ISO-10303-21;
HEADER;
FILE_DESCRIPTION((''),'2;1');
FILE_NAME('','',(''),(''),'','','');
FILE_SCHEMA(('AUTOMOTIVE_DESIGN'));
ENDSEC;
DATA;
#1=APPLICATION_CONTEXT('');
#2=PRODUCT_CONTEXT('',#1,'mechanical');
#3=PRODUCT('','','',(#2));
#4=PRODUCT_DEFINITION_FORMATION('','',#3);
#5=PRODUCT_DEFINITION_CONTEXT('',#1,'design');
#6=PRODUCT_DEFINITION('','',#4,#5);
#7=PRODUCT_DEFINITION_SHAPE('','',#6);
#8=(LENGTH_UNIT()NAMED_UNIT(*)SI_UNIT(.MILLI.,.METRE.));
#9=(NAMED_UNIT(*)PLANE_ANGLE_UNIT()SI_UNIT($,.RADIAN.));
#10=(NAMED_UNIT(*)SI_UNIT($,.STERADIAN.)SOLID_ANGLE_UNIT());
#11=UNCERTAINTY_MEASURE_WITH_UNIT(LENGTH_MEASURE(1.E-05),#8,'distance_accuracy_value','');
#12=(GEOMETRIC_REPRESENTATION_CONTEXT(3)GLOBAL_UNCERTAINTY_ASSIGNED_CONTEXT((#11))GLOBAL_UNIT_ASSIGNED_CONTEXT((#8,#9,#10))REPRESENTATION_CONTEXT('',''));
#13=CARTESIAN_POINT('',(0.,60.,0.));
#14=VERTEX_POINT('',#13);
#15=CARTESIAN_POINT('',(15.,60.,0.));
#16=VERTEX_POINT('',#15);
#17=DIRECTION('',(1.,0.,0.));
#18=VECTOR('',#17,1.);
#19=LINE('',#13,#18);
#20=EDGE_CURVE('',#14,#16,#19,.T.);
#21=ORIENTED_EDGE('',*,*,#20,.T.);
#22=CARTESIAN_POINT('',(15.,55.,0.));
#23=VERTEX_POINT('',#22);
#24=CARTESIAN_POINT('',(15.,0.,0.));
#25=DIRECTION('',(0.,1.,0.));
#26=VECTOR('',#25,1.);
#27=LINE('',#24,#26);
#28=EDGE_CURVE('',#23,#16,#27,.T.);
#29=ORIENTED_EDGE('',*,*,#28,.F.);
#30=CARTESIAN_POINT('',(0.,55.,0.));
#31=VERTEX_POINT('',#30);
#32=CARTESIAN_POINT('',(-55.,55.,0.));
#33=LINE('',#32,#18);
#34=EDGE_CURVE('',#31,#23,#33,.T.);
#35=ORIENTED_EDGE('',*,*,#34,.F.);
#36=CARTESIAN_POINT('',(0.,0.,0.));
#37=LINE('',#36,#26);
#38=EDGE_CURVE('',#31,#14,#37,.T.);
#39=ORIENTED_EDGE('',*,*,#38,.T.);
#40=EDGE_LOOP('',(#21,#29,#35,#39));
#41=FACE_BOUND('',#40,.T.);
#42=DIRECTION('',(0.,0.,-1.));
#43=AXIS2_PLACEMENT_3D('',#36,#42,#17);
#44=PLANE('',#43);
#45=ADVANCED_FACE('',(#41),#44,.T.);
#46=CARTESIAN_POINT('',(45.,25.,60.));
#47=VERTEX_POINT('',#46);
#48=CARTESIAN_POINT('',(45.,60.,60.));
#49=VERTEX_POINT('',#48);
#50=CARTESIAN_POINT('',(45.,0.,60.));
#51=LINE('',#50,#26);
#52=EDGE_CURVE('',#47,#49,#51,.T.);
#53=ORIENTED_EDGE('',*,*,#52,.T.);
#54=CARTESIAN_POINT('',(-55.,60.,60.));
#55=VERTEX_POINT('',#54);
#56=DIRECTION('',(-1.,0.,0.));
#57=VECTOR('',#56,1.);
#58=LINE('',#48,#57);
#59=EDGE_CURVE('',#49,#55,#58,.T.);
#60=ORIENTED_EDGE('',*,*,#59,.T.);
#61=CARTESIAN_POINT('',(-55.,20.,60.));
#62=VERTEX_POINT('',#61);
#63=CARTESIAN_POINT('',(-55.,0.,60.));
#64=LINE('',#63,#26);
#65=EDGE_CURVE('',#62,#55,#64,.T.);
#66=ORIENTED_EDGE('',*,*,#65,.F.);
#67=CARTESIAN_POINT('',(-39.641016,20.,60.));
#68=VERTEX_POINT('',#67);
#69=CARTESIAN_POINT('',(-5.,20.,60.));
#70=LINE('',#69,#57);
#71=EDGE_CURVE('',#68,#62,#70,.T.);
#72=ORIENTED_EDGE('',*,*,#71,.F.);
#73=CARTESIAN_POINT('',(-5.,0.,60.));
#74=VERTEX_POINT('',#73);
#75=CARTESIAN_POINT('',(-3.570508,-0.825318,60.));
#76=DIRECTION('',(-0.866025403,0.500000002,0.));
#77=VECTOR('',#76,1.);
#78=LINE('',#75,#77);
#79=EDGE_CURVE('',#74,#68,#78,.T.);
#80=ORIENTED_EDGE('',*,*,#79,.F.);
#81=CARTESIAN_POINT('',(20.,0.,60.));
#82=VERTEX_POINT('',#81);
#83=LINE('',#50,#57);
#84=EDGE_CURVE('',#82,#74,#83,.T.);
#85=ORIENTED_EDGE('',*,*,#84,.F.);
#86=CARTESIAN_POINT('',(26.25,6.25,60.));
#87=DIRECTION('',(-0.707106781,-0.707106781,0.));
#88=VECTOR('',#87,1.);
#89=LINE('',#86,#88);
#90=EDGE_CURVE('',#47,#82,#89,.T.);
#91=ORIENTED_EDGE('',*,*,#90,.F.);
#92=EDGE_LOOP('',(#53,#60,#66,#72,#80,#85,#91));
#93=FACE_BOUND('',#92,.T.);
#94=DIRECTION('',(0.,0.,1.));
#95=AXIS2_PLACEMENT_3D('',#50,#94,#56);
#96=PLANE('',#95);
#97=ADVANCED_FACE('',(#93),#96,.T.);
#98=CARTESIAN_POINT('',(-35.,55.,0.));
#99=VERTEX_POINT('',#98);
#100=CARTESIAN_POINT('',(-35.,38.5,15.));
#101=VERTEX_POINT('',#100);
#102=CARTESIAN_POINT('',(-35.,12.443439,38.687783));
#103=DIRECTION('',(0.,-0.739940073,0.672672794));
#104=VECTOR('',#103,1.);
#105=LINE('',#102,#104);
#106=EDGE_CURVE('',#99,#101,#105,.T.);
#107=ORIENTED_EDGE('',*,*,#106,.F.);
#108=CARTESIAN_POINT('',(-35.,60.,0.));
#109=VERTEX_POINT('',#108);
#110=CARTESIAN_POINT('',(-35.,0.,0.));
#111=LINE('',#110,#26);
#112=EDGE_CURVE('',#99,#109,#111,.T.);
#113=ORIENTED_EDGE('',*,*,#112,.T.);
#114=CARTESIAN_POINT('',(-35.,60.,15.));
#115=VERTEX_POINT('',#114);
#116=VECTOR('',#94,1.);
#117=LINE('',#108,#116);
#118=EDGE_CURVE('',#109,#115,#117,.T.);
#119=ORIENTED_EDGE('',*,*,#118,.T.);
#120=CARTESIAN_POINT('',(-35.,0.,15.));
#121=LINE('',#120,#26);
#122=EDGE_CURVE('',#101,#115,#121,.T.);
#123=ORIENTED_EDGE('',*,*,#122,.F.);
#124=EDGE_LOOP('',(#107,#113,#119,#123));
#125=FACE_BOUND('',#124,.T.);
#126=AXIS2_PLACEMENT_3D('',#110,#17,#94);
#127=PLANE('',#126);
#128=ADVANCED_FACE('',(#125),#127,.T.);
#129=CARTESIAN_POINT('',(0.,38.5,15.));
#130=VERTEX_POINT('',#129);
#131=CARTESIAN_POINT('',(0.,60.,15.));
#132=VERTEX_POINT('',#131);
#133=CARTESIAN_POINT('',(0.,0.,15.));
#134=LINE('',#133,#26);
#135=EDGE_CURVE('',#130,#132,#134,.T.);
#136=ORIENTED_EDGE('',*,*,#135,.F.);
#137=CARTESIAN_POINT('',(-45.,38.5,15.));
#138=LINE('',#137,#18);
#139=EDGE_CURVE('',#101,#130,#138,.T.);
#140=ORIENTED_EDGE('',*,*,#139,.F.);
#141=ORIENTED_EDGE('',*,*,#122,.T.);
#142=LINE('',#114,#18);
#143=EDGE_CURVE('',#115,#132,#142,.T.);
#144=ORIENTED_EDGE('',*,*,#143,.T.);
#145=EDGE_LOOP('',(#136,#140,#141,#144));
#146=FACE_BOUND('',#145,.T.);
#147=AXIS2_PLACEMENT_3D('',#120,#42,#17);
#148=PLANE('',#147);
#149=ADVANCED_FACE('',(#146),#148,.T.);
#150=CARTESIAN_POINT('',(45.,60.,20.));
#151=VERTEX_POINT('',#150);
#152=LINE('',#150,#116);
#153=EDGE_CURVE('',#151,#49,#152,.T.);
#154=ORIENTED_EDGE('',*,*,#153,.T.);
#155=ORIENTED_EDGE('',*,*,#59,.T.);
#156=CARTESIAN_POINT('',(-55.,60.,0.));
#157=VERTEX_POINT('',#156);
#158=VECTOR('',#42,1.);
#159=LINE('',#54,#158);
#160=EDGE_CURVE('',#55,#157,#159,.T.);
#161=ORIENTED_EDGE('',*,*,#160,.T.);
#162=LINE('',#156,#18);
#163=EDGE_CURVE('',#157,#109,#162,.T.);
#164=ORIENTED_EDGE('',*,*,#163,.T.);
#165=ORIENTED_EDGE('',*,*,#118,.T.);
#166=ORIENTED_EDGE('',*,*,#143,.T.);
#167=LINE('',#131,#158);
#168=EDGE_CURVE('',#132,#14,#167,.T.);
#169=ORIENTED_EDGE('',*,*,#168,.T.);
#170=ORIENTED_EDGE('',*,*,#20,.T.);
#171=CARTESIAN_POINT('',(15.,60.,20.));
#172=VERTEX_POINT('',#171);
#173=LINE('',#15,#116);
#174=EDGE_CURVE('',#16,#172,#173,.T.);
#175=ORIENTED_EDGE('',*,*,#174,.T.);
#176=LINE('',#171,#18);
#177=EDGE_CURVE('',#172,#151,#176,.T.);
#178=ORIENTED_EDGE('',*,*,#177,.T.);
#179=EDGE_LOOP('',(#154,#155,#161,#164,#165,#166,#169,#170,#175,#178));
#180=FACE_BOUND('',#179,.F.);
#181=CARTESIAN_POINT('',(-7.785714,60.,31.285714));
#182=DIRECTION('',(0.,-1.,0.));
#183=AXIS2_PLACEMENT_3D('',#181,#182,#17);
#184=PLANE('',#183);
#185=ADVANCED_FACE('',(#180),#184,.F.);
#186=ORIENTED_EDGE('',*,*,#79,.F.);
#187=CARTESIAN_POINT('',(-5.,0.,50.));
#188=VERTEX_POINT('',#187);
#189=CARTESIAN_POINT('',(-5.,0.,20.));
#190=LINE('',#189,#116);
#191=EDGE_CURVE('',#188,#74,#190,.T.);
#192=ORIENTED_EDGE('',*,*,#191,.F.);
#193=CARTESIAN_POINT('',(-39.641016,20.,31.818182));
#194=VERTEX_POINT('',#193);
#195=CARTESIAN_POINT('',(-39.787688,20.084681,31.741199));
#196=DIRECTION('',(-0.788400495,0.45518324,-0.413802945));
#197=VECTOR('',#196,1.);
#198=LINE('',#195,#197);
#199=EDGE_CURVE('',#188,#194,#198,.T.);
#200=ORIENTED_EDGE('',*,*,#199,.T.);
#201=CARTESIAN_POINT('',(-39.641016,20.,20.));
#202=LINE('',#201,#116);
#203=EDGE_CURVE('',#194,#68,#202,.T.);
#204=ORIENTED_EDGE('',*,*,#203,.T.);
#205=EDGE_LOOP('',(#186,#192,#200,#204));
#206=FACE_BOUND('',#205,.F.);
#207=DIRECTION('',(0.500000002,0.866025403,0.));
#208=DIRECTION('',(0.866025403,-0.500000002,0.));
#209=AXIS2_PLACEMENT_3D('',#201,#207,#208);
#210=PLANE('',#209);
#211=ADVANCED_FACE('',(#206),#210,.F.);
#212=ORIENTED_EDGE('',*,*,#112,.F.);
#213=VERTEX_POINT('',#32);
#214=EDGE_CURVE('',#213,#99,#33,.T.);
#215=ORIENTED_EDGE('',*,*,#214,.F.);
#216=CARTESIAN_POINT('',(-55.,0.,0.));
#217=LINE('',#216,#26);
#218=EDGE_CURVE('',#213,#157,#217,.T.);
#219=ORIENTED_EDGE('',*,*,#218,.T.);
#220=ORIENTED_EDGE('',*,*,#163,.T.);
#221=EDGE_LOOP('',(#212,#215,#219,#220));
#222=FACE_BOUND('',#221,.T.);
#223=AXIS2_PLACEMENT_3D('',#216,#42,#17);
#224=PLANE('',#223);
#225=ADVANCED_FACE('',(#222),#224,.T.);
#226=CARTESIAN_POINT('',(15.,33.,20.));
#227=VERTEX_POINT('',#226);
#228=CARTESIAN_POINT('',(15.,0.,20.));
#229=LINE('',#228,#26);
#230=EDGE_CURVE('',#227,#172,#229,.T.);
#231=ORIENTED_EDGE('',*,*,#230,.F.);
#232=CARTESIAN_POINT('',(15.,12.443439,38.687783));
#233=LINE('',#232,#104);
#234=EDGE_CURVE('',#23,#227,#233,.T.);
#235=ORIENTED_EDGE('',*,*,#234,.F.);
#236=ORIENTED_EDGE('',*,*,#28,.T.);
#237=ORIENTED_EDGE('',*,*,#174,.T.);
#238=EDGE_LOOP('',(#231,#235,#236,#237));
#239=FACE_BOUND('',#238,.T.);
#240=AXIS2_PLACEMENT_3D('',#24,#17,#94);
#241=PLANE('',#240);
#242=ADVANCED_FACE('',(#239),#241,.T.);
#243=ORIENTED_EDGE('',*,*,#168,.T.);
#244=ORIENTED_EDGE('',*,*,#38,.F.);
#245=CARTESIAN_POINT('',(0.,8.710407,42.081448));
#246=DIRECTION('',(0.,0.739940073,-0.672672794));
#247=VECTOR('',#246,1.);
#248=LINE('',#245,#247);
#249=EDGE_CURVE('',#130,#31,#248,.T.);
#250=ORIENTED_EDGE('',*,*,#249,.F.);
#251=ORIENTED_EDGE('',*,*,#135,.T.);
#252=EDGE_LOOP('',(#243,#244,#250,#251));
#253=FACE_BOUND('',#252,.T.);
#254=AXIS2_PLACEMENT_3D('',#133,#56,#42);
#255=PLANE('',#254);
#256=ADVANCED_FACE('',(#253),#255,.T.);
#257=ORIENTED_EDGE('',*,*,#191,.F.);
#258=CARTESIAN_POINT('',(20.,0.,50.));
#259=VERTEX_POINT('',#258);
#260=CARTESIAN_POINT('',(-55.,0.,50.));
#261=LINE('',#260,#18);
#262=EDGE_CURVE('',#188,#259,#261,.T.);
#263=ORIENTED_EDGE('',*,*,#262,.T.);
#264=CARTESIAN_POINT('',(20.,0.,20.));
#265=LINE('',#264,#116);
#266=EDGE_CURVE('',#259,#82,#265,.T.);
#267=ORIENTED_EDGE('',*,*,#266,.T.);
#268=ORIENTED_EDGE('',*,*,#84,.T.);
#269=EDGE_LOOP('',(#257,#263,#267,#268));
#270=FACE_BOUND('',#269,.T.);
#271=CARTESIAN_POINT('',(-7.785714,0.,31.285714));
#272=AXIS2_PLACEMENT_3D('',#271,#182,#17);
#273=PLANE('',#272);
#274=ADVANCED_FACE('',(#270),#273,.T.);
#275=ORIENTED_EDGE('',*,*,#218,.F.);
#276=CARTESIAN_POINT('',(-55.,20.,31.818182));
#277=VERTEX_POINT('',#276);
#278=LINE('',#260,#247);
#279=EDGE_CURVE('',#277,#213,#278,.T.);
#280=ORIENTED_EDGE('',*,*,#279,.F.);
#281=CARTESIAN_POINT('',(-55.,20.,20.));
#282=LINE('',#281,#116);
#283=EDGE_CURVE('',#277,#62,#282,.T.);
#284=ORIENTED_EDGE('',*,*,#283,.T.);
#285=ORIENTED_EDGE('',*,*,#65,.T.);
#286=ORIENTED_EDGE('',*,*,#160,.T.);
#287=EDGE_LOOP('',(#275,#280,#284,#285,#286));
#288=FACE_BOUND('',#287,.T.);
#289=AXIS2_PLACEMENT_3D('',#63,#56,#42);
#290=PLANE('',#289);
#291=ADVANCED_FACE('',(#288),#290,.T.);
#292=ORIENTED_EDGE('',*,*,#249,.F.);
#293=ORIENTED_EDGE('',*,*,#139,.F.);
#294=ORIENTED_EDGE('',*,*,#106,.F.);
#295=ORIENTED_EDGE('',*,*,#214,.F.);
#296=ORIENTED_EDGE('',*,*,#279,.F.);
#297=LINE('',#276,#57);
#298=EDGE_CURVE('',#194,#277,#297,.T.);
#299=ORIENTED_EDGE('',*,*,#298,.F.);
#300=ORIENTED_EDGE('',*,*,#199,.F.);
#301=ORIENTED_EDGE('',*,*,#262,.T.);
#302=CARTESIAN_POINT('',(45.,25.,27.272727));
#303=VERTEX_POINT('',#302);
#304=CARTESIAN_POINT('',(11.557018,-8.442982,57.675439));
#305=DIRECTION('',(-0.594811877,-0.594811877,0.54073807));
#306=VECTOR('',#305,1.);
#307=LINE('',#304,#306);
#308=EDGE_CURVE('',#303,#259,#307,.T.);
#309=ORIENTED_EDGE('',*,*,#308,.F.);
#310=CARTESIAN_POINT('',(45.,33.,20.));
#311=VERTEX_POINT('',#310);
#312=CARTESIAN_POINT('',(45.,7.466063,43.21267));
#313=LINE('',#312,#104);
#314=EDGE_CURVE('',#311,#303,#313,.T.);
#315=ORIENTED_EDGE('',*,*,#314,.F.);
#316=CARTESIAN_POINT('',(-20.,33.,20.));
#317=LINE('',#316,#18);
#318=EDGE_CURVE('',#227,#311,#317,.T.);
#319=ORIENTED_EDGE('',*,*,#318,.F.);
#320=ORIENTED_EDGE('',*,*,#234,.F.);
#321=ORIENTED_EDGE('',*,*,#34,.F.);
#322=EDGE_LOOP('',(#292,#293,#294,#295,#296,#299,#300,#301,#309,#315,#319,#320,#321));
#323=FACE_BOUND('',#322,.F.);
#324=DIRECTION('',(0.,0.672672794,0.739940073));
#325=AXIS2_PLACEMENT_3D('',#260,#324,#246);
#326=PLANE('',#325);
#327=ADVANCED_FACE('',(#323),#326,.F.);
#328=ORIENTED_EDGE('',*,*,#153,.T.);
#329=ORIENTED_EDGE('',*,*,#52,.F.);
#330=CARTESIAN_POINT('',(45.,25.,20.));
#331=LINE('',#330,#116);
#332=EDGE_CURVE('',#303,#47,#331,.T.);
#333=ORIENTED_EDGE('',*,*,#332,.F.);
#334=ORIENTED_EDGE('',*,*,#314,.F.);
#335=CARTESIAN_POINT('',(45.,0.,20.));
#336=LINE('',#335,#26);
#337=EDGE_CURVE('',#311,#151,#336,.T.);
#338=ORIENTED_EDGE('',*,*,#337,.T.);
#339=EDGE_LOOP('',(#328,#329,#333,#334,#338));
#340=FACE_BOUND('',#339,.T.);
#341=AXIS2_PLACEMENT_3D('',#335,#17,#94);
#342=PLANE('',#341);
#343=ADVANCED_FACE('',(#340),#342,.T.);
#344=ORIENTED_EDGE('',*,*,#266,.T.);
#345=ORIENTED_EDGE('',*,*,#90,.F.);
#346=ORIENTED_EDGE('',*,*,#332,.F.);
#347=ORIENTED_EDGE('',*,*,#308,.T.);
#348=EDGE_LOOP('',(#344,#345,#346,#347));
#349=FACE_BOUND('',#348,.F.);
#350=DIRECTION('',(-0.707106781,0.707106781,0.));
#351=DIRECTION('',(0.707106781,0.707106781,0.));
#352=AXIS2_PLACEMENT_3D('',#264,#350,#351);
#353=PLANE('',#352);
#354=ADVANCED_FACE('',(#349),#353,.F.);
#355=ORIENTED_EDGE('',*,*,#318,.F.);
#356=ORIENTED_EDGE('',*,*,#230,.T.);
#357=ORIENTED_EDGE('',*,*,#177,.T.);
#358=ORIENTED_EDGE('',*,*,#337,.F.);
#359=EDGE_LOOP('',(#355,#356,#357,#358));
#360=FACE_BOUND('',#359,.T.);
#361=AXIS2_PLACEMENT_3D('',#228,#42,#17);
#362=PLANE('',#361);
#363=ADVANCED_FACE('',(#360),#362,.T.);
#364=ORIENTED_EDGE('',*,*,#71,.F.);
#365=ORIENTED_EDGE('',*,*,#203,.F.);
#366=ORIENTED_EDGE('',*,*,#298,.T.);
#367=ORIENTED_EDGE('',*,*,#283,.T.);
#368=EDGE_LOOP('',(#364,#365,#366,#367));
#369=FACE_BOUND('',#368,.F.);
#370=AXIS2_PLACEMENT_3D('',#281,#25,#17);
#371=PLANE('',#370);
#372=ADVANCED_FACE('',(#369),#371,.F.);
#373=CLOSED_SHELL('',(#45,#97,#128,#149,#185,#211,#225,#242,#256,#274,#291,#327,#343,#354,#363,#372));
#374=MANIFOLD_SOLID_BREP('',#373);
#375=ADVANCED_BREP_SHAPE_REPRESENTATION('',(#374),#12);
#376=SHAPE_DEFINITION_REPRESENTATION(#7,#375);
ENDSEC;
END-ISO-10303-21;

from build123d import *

# Parameters (mm, degrees)
F1_DEPTH = 60
F3_DEPTH = 100.001
F5_DEPTH = 40.001


with BuildPart() as f1:
    # F0 (on Front) → F1 (new body)
    with BuildSketch(Plane.XZ):
        Polygon((45, 60), (-55, 60), (-55, 0), (-35, 0), (-35, 15), (0, 15), (0, 0), (15, 0), (15, 20), (45, 20), align=None)
    extrude(amount=-F1_DEPTH)

    # F2 (on face) → F3 (cut, through all)
    with BuildSketch(Plane(origin=(-55, 0, 0), x_dir=(0, -1, 0), z_dir=(-1, 0, 0))):
        Polygon((0, 0), (0, 50), (-55, 0), align=None)
    extrude(amount=-F3_DEPTH, mode=Mode.SUBTRACT)

    # F4 (on face) → F5 (cut, through all)
    with BuildSketch(Plane(origin=(0, 0, 20), x_dir=(1, 0, 0), z_dir=(0, 0, -1))):
        Polygon((-55, 0), (-55, -20), (-39.641016, -20), (-5, 0), align=None)
        Polygon((45, 0), (20, 0), (45, -25), align=None)
    extrude(amount=-F5_DEPTH, mode=Mode.SUBTRACT)


solid = f1.part
